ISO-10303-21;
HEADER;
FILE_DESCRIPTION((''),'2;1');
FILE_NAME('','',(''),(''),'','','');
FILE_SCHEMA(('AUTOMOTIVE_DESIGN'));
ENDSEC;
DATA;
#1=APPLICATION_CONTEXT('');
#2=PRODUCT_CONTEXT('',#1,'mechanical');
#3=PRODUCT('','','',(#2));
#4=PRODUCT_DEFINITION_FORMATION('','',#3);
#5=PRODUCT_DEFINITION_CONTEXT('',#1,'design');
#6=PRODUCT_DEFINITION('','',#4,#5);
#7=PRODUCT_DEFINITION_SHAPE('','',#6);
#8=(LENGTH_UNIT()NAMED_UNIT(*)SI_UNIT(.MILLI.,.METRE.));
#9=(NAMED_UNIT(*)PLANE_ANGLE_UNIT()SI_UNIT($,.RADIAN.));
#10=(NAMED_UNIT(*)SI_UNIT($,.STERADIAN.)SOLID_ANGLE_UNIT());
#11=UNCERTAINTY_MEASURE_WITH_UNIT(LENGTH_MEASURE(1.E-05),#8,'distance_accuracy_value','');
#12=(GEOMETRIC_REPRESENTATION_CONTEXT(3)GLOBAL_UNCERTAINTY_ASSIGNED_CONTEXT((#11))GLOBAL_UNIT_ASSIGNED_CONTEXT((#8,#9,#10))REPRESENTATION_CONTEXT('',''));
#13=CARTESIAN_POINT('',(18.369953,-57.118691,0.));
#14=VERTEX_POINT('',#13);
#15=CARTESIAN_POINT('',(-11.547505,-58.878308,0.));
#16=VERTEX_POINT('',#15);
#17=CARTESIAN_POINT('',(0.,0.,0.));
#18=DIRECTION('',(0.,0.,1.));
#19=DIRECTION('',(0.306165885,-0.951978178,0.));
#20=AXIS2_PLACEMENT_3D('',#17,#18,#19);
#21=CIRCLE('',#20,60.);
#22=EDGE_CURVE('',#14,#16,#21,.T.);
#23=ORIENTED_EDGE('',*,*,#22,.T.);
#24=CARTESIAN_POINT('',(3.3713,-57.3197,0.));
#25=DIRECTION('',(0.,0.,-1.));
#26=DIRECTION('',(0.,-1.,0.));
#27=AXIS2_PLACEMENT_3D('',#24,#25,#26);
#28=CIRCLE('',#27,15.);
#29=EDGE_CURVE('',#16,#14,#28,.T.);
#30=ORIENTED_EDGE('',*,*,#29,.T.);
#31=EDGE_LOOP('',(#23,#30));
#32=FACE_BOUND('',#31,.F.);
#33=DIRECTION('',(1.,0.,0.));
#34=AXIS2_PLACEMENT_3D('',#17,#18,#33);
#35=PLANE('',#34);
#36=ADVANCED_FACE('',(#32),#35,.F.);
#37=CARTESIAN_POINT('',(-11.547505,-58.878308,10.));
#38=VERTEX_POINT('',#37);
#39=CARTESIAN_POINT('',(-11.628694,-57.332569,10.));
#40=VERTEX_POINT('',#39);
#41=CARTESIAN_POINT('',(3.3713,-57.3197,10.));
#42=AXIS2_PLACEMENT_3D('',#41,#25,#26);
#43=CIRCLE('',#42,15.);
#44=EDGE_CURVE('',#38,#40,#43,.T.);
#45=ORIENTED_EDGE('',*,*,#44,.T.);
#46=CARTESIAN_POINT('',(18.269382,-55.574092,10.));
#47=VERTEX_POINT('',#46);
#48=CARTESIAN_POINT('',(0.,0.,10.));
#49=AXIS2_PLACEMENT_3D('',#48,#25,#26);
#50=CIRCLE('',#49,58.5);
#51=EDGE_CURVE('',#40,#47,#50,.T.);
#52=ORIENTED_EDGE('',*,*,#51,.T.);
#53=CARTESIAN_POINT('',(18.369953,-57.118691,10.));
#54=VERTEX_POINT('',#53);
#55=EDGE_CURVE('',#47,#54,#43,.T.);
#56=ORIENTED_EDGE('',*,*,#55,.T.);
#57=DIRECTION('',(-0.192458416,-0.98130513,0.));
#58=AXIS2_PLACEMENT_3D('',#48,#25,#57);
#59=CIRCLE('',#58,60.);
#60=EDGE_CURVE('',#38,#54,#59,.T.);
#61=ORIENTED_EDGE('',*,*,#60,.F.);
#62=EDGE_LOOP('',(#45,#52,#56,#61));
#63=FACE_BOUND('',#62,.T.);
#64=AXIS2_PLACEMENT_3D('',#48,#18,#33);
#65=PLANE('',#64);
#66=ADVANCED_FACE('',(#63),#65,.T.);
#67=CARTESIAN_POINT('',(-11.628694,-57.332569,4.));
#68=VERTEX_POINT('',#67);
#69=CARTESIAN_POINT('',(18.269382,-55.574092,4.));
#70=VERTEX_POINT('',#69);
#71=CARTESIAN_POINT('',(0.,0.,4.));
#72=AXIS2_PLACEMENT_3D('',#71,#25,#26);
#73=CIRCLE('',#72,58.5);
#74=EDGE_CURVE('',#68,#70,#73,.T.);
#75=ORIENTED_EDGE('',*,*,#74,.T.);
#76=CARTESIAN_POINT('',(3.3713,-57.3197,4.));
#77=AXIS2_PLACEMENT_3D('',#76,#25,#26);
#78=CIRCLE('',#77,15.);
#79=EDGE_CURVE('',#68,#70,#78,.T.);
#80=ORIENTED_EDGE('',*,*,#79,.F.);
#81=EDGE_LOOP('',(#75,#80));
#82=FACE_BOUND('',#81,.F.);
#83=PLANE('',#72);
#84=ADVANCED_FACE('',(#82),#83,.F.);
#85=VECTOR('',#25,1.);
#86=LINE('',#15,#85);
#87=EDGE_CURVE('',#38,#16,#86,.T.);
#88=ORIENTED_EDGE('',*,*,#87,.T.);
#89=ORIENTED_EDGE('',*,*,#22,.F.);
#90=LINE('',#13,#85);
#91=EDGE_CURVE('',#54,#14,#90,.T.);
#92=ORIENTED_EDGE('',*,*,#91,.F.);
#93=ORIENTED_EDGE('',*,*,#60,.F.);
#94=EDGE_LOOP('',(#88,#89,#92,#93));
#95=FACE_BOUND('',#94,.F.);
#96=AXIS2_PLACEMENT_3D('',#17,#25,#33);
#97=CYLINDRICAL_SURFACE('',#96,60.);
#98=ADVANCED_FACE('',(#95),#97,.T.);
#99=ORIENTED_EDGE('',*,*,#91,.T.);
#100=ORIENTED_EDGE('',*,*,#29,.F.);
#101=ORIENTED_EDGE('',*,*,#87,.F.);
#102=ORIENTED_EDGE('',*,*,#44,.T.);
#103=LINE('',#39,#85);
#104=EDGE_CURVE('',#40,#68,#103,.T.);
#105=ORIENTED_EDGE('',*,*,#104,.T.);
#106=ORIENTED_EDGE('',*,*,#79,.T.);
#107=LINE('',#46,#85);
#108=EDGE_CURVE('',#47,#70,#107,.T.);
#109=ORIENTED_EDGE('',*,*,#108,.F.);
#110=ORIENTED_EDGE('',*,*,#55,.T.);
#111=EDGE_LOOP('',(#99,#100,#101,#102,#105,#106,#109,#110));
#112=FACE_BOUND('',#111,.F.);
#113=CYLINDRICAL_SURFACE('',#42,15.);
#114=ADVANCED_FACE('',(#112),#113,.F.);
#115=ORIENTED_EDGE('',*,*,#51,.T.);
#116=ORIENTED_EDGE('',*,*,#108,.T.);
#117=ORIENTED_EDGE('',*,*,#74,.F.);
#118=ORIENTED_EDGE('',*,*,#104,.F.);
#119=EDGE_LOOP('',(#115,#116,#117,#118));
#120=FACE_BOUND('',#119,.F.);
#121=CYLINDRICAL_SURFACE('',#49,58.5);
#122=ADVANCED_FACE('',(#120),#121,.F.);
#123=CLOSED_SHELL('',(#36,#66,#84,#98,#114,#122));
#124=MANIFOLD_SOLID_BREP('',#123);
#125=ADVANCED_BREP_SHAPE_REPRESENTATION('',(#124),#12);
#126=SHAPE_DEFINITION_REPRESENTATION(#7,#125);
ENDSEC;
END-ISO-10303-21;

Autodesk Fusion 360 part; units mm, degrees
sketch "Sketch1" plane through (0, 0, 0) normal (0, 0, 1) x (1, 0, 0)
  circle A0 centre (0, 0) radius 77.5
  dimension "d1" = 155
sketch "Sketch2" plane through (0, 0, 0) normal (0, 0, 1) x (1, 0, 0)
  circle A0 centre (0, 0) radius 60
  dimension "d4" = 120
extrude "Extrude2" add sketch "Sketch2" along normal blind 10
hole "Hole1" at (3.3713, -57.3197, 10) direction (0, 0, -1) diameter 30 end through all
hole "Hole2" at (0, 0, 10) direction (0, 0, -1) diameter 117 depth 6 tip angle 180
